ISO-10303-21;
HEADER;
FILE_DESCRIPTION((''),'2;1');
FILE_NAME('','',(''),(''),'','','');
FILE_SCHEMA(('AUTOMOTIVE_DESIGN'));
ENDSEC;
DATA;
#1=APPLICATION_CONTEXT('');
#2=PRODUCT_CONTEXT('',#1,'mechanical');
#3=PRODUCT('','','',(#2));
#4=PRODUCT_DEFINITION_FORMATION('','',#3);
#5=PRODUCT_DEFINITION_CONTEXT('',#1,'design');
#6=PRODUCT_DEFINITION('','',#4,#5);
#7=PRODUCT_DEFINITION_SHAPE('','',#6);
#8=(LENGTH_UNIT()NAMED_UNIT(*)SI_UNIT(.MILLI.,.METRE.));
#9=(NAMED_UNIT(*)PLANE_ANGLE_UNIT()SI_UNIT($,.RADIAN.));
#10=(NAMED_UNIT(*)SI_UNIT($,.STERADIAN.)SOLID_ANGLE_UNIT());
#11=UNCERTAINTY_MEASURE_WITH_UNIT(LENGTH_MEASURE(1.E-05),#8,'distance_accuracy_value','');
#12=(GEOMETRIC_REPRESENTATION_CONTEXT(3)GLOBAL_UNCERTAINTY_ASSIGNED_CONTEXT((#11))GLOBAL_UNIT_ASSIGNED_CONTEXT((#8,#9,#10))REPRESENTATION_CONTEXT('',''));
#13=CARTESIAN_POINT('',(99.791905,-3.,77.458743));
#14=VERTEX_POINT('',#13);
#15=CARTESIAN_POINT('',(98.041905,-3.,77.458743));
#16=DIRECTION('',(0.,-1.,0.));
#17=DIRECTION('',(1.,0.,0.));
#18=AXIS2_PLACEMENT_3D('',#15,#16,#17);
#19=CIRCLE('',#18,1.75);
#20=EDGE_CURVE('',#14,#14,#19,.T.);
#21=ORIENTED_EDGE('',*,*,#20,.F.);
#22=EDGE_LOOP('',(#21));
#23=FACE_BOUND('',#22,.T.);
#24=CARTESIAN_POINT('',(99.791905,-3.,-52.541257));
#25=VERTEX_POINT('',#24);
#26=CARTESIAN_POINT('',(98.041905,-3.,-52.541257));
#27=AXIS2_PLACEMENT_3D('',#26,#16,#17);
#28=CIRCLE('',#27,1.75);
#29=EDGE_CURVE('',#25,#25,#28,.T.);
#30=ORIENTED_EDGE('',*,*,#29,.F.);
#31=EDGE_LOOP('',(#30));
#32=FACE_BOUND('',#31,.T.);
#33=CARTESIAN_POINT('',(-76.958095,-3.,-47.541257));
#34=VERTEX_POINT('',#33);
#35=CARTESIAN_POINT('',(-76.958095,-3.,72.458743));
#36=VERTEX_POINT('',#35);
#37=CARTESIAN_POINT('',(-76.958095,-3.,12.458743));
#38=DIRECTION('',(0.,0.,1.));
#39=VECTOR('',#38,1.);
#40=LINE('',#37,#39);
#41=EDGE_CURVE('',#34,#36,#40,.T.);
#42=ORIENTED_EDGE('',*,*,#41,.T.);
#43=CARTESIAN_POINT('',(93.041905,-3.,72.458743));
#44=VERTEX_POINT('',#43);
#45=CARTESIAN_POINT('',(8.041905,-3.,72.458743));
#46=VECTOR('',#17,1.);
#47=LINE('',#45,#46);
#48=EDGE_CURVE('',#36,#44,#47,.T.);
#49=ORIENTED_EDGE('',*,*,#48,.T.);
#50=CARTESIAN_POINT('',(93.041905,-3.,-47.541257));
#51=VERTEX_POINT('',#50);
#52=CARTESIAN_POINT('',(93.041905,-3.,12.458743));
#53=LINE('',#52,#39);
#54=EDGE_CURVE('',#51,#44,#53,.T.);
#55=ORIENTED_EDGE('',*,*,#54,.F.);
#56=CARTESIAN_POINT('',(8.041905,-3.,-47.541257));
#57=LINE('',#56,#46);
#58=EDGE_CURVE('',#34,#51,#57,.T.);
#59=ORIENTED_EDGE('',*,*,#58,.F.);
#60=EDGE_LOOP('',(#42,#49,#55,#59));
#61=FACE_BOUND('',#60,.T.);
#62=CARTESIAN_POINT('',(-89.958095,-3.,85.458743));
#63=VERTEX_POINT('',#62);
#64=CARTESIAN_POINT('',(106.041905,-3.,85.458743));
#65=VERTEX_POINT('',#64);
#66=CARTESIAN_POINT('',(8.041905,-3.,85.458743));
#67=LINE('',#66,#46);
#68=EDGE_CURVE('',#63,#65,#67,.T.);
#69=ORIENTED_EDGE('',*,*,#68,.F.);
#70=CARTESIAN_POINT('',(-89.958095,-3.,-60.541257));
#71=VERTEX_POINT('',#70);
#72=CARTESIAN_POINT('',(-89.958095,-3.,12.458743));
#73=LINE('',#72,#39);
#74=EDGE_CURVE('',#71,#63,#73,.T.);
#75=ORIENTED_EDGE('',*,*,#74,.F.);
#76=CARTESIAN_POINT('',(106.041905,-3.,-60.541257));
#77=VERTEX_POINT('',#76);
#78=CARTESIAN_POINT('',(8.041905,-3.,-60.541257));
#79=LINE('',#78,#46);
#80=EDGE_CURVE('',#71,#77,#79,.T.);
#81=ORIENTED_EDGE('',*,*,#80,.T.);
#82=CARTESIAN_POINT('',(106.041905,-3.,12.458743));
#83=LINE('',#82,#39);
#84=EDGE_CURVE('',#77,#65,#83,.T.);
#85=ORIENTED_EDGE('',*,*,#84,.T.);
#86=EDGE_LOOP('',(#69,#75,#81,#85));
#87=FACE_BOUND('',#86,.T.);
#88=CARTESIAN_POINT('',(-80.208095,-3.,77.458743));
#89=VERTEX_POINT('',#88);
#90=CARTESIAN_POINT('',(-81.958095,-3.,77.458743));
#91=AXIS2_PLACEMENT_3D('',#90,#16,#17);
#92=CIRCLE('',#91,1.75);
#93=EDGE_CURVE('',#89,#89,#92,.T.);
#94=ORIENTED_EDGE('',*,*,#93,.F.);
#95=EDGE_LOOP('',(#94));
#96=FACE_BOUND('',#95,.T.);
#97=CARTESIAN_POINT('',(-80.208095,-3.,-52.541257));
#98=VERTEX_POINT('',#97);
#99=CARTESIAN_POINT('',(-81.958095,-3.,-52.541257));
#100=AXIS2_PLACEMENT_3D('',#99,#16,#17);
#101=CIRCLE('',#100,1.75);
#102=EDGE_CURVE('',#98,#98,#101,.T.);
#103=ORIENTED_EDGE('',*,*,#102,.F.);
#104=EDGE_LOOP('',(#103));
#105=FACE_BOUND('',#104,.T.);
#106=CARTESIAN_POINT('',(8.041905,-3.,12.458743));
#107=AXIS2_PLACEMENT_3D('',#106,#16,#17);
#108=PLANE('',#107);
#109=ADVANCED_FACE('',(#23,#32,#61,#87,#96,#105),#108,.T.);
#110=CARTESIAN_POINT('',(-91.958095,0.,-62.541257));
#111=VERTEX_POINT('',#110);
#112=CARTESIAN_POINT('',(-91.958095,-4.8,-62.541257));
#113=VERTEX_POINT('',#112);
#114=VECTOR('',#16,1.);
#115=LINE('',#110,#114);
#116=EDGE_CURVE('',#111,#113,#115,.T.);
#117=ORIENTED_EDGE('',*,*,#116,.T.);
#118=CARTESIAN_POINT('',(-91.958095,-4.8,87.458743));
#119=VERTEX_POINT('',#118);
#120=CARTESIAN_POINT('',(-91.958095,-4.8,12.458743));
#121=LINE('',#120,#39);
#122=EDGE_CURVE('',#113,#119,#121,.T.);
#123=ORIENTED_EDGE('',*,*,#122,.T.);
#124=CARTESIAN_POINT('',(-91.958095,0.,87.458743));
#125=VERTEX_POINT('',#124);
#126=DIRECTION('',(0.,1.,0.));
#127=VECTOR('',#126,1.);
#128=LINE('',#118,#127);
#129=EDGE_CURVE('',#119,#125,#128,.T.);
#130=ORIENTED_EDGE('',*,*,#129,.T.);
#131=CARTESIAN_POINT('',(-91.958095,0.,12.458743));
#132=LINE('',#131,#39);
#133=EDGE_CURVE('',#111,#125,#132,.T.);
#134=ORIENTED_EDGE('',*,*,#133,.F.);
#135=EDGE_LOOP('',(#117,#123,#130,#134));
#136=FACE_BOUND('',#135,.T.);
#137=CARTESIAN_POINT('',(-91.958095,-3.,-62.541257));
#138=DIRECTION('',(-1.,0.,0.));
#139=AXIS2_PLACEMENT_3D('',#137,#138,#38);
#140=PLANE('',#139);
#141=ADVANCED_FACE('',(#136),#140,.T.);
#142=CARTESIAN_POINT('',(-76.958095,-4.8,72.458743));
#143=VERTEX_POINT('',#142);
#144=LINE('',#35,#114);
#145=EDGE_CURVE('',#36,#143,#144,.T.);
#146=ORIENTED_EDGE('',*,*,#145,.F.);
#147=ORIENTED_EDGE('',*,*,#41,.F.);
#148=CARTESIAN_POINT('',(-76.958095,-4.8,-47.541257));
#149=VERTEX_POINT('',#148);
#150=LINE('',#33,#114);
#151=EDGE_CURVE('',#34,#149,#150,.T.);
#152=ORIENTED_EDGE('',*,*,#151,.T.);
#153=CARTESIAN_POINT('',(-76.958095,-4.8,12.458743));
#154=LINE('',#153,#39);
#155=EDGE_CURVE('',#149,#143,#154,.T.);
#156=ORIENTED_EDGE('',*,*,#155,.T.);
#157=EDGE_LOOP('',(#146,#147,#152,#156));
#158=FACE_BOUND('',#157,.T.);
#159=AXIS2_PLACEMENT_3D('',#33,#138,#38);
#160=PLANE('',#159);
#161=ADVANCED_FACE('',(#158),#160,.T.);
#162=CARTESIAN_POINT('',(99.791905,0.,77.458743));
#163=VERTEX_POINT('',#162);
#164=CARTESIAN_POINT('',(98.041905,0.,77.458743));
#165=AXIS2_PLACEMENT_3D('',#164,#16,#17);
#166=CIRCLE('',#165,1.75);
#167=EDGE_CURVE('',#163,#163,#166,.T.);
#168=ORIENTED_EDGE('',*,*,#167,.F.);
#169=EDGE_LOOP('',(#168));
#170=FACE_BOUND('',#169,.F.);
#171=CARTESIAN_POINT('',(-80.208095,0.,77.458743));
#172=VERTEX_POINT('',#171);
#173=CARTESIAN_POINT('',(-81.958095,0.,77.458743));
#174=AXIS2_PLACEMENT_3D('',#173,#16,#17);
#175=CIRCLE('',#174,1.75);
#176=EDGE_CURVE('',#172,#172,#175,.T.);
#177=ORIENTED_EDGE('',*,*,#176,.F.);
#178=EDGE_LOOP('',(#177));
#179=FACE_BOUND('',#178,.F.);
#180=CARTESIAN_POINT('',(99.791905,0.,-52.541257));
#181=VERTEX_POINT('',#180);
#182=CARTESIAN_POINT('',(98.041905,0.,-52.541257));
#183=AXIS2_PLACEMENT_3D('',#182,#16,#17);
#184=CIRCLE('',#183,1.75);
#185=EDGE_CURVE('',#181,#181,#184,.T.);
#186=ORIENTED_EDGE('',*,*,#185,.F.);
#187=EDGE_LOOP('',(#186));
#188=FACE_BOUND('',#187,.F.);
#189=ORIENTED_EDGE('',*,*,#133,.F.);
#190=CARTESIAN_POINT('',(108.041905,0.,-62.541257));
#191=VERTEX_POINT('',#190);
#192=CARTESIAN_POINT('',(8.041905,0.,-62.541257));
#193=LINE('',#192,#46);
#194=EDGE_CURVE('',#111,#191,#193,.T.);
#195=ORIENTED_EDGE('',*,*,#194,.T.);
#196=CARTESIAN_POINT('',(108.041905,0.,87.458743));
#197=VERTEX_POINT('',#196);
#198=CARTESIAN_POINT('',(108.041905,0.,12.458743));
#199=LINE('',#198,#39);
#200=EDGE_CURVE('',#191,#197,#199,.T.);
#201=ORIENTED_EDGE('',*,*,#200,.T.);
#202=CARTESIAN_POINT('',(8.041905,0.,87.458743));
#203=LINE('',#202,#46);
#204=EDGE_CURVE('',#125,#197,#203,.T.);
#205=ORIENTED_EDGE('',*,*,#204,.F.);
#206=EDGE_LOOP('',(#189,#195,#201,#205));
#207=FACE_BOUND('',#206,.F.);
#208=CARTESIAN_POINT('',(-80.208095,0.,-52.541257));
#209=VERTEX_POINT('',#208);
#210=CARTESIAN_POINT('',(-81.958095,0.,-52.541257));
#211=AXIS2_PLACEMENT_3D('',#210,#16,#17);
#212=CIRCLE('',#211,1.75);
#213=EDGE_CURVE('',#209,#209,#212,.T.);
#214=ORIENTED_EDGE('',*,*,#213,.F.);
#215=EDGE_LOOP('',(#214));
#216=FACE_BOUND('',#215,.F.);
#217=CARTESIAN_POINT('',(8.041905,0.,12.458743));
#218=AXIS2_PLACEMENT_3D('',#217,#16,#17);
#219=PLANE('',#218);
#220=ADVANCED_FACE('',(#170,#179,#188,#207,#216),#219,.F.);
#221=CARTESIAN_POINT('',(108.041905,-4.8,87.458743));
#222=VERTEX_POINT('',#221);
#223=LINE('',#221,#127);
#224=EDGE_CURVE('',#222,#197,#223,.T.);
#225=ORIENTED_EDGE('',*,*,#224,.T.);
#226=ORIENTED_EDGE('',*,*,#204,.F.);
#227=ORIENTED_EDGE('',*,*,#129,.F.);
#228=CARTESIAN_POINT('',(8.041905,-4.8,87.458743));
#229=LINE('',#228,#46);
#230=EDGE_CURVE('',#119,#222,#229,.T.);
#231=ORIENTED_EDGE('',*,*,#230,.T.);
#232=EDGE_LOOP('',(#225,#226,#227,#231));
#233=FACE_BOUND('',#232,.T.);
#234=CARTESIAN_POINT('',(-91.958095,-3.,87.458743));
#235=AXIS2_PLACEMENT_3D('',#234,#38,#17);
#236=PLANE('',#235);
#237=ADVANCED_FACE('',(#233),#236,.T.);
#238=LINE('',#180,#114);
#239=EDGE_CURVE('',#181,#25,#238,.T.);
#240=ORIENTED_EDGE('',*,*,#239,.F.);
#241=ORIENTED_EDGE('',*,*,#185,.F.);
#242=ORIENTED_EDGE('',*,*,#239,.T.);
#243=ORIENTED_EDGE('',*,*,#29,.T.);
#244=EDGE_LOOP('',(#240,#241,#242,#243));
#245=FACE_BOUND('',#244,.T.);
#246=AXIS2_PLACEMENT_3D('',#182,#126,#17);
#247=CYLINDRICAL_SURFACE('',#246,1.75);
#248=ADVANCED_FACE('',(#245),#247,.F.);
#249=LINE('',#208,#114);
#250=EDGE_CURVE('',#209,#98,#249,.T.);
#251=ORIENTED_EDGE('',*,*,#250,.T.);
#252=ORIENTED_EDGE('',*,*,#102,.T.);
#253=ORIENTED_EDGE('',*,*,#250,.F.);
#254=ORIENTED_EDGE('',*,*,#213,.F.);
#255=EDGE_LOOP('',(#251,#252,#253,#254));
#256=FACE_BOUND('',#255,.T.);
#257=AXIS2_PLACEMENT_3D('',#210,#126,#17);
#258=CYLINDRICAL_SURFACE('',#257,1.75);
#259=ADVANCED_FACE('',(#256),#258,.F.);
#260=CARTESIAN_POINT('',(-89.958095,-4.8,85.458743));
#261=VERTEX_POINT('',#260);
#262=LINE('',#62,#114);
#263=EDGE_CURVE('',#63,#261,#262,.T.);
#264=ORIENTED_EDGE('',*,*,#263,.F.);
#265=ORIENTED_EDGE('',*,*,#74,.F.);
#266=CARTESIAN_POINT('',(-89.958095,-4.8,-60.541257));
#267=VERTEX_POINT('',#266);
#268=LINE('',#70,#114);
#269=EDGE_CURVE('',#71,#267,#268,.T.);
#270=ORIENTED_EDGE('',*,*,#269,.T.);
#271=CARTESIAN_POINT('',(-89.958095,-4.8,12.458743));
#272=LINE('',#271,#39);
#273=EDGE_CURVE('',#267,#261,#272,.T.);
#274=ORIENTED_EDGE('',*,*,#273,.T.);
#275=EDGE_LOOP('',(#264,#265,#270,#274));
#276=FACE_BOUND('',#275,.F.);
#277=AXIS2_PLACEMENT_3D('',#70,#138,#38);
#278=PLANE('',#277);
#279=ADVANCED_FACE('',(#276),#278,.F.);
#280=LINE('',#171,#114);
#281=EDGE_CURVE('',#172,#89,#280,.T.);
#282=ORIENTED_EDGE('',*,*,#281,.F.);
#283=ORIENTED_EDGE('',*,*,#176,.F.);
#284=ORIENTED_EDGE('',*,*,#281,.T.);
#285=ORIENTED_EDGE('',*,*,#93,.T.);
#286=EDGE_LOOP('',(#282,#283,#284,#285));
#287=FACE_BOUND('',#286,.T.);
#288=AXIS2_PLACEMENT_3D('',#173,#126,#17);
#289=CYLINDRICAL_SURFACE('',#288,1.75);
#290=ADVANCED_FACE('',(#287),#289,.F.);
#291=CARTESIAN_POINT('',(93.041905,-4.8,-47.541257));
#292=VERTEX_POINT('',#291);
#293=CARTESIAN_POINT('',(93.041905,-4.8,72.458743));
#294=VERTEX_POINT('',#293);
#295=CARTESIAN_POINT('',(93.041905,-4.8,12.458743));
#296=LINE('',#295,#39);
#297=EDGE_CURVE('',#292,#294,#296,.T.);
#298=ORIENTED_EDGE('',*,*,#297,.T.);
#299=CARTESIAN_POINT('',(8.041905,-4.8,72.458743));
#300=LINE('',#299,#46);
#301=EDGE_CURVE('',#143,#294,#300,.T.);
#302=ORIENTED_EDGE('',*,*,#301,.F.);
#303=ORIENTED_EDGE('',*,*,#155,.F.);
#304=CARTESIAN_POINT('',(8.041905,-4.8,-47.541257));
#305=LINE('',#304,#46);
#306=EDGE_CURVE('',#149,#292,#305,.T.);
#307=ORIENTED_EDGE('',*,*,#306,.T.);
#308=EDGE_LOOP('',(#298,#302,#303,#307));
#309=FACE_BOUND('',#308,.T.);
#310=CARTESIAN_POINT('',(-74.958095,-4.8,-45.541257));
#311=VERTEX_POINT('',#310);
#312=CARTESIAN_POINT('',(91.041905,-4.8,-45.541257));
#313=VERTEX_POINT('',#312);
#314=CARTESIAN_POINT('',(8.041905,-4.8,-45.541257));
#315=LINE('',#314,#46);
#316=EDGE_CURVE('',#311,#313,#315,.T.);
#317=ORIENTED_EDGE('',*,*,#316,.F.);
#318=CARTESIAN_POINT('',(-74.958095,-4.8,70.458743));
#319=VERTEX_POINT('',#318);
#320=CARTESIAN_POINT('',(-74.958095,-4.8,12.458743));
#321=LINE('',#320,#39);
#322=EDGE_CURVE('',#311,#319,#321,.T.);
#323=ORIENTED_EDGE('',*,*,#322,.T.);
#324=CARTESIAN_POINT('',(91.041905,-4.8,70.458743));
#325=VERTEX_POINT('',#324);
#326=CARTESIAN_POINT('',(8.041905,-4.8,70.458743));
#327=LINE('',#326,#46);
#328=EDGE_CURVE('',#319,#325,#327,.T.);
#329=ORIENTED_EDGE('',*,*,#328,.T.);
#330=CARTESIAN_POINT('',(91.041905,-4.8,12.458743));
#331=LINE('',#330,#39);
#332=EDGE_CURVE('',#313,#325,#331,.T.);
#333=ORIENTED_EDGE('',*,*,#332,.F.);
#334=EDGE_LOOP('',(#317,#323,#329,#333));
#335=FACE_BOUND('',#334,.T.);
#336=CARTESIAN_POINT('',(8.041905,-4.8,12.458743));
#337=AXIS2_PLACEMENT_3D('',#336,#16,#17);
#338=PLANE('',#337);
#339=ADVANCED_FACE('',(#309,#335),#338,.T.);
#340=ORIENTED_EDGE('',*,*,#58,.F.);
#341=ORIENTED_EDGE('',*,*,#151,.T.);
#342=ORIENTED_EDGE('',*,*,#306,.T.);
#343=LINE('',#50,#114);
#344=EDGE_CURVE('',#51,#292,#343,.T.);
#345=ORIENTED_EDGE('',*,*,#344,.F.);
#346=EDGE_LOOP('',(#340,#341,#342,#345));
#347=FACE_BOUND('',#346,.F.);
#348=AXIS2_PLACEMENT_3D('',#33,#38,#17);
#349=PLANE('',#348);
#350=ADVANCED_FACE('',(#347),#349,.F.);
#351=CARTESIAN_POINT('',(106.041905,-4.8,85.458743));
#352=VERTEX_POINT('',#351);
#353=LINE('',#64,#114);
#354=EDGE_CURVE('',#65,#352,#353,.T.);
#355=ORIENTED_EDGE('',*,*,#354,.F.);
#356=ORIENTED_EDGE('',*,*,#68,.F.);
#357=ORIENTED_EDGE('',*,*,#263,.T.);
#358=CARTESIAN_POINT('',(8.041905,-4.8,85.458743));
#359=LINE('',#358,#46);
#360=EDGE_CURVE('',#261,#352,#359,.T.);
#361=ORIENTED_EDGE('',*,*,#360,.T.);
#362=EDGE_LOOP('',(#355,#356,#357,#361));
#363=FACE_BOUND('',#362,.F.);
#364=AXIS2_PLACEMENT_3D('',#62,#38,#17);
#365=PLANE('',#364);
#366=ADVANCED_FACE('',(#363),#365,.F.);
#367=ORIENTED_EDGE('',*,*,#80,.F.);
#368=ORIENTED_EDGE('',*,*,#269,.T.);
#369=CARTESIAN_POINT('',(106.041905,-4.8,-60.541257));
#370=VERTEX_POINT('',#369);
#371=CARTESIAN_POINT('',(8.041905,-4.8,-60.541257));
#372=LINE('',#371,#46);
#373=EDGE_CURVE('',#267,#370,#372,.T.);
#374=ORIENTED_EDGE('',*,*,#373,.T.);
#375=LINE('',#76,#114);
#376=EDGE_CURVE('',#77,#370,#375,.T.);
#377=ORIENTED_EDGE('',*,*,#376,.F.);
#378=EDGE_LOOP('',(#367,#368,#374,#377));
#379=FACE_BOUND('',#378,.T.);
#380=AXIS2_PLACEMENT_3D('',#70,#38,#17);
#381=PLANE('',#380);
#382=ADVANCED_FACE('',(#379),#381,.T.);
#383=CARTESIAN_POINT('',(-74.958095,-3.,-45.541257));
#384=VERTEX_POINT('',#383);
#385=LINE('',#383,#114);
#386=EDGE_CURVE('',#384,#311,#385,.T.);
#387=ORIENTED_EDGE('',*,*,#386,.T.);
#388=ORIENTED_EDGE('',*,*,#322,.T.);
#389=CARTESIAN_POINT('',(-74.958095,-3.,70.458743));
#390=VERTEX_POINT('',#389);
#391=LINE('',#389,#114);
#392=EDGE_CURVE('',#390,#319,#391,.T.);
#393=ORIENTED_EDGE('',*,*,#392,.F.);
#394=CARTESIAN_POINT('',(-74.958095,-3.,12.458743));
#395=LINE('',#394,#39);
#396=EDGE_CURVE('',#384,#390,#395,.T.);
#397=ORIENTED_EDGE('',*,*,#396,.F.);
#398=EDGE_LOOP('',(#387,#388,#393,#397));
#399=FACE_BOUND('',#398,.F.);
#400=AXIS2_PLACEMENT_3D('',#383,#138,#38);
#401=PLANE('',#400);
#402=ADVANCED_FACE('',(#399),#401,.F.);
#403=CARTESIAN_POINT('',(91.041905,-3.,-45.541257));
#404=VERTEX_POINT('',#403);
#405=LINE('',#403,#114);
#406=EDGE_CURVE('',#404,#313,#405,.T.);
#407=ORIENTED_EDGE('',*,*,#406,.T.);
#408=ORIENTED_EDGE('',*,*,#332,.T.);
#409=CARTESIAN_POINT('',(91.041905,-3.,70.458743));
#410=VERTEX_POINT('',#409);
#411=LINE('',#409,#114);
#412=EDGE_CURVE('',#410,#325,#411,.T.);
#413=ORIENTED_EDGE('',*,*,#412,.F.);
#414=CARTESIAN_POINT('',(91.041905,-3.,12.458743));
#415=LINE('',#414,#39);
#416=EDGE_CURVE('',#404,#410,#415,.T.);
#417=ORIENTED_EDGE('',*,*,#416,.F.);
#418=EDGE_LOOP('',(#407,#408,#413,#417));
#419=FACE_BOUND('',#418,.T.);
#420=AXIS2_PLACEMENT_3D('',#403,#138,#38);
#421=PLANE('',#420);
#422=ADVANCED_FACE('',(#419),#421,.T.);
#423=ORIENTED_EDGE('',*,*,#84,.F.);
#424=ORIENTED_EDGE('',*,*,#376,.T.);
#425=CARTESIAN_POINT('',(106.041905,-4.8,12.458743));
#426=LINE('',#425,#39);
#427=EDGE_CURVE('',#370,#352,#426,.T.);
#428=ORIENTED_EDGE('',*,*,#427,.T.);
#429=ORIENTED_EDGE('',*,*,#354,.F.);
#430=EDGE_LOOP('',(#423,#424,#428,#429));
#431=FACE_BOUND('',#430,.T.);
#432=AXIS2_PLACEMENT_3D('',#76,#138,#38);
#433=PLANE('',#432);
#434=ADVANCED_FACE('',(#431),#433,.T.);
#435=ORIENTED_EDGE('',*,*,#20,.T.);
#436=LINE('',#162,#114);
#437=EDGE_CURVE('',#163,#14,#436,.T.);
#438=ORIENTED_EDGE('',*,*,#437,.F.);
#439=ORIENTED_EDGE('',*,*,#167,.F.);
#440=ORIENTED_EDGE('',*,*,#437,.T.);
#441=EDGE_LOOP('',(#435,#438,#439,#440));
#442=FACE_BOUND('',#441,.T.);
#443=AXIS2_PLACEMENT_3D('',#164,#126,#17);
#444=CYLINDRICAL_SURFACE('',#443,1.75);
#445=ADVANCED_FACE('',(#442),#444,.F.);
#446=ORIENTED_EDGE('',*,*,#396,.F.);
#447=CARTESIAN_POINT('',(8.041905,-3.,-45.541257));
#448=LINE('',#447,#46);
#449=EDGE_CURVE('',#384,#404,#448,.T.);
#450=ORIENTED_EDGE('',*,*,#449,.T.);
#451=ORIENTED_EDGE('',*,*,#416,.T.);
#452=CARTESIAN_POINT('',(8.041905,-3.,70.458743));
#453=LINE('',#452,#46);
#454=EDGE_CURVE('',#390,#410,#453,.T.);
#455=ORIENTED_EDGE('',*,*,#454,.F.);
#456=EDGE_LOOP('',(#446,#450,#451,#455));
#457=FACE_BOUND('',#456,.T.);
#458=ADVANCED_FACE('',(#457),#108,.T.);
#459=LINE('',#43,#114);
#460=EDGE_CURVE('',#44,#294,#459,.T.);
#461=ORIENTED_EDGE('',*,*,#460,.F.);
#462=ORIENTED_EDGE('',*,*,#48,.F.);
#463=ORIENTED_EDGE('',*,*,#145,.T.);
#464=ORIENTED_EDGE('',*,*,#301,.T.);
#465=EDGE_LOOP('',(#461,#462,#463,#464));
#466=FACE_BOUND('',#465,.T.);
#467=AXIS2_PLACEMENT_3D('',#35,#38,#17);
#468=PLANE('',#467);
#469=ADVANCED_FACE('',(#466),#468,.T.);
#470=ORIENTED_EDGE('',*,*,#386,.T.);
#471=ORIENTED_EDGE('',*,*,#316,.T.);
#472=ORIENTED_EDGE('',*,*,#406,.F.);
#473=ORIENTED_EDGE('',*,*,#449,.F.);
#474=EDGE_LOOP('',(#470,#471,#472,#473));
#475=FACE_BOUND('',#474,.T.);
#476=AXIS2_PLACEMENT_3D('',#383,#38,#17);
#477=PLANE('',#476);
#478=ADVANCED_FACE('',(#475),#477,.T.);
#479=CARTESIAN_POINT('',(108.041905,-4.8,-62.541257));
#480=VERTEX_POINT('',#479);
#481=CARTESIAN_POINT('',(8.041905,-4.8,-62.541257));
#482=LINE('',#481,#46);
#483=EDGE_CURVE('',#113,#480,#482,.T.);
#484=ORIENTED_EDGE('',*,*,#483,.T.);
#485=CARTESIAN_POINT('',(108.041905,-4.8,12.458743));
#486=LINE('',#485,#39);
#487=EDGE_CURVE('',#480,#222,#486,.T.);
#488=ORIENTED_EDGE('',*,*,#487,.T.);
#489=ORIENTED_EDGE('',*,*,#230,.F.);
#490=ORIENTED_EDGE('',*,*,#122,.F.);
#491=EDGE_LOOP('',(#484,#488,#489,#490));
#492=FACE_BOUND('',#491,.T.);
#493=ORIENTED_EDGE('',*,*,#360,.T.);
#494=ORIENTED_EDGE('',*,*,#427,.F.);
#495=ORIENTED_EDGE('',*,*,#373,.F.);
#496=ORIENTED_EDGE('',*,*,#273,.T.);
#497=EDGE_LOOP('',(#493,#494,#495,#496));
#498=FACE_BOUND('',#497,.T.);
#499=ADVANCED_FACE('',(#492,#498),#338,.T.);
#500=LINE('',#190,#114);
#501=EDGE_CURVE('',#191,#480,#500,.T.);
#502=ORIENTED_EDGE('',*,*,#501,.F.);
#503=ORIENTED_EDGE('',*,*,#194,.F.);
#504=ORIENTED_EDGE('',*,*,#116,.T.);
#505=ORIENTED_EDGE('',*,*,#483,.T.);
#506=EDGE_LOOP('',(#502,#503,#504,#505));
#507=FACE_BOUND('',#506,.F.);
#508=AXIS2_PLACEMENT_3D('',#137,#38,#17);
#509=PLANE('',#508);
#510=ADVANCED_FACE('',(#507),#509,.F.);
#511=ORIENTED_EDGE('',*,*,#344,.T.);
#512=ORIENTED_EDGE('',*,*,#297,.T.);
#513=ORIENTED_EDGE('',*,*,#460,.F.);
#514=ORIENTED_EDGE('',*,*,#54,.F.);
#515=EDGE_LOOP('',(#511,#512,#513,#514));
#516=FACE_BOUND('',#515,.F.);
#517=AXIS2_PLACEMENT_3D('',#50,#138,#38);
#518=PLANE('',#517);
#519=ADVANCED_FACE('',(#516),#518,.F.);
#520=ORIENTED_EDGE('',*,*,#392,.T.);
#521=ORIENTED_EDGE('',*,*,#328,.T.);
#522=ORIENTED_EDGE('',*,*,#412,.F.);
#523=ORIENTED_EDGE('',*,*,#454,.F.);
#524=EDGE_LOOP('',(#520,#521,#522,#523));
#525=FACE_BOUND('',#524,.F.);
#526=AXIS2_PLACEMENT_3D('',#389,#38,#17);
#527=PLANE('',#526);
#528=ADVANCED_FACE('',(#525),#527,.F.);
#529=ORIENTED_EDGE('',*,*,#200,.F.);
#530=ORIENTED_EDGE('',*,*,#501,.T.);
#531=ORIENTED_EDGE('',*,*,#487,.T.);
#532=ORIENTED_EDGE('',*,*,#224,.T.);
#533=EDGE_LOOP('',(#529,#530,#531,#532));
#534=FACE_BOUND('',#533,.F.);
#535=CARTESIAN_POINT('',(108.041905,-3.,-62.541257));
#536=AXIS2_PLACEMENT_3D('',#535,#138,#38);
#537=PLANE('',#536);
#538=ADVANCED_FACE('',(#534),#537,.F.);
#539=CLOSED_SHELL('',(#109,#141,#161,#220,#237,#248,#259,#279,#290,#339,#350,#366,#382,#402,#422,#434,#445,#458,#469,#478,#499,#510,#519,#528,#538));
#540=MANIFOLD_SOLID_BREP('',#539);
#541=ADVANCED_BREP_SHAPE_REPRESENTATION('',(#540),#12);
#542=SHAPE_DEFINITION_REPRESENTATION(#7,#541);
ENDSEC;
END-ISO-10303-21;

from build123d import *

# Parameters (mm, degrees)
F0_W     = 200
F0_H     = 150
F0_R     = 1.75
F1_DEPTH = 3
F2_W     = 200
F2_H     = 150
F2_W_2   = 196
F2_H_2   = 146
F2_W_3   = 170
F2_H_3   = 120
F2_W_4   = 166
F2_H_4   = 116
F3_DEPTH = 1.8


with BuildPart() as f1:
    # F0 (on Front) → F1 (new body)
    with BuildSketch(Plane.XZ):
        with Locations((8.041905, 12.458743)):
            Rectangle(F0_W, F0_H)
        with Locations((-81.958095, -52.541257)):
            Circle(F0_R, mode=Mode.SUBTRACT)
        with Locations((98.041905, -52.541257)):
            Circle(F0_R, mode=Mode.SUBTRACT)
        with Locations((-81.958095, 77.458743)):
            Circle(F0_R, mode=Mode.SUBTRACT)
        with Locations((98.041905, 77.458743)):
            Circle(F0_R, mode=Mode.SUBTRACT)
    extrude(amount=F1_DEPTH)

    # F2 (on face) → F3 (join)
    with BuildSketch(Plane.XZ.offset(3)):
        with Locations((8.041905, 12.458743)):
            Rectangle(F2_W, F2_H)
        with Locations((8.041905, 12.458743)):
            Rectangle(F2_W_2, F2_H_2, mode=Mode.SUBTRACT)
        with Locations((8.041905, 12.458743)):
            Rectangle(F2_W_3, F2_H_3)
        with Locations((8.041905, 12.458743)):
            Rectangle(F2_W_4, F2_H_4, mode=Mode.SUBTRACT)
    extrude(amount=F3_DEPTH)


solid = f1.part
